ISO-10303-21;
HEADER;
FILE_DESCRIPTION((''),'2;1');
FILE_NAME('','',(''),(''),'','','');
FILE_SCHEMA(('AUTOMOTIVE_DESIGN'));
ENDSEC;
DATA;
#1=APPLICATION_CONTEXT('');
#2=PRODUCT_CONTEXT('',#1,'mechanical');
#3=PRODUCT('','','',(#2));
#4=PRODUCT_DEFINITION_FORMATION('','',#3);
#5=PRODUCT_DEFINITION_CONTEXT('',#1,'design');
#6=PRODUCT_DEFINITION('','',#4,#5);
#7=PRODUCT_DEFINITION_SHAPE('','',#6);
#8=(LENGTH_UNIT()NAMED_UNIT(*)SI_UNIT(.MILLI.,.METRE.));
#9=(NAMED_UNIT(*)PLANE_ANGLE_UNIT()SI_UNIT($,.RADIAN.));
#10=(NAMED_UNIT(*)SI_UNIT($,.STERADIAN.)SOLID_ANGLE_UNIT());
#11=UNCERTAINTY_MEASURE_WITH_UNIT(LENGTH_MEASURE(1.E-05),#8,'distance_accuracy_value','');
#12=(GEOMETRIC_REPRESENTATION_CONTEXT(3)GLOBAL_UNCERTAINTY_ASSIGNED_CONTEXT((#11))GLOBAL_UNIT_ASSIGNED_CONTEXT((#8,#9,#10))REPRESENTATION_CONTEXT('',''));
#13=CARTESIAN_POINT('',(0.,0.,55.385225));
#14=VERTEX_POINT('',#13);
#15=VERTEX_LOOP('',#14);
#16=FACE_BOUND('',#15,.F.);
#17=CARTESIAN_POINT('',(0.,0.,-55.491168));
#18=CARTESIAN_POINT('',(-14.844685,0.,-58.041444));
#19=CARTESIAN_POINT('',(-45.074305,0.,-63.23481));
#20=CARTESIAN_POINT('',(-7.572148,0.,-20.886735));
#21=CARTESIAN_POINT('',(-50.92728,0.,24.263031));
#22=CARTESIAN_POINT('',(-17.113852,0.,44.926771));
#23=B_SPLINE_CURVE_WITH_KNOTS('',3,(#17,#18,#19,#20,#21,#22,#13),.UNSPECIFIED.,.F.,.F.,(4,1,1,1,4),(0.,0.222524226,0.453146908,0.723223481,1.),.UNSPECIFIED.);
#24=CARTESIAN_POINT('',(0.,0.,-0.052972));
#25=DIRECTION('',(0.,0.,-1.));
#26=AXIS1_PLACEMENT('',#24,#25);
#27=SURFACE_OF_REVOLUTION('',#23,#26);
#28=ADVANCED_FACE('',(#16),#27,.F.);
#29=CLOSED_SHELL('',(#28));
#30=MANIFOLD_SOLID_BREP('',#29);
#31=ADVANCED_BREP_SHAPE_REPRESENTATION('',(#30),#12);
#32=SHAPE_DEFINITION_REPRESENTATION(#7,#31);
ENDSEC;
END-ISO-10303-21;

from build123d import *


with BuildPart() as f1:
    # F0 (on Front) → F1 (revolve)
    with BuildSketch(Plane.XZ):
        with BuildLine():
            add(Edge.make_bspline(
                [(0, -55.491168052), (-14.8446846002, -58.0414440035), (-45.0743052093, -63.2348096113), (-7.5721484283, -20.886735478), (-50.9272800017, 24.2630312734), (-17.1138520009, 44.9267706401), (0, 55.3852245212)],
                knots=[0, 0, 0, 0, 0.2225242258, 0.4531469078, 0.7232234813, 1, 1, 1, 1], degree=3))
            Line((0, -55.491168052), (0, 55.3852245212))
        make_face()
    revolve(axis=Axis((0, 0, -0.0529717654), (0, 0, -1)))


solid = f1.part
